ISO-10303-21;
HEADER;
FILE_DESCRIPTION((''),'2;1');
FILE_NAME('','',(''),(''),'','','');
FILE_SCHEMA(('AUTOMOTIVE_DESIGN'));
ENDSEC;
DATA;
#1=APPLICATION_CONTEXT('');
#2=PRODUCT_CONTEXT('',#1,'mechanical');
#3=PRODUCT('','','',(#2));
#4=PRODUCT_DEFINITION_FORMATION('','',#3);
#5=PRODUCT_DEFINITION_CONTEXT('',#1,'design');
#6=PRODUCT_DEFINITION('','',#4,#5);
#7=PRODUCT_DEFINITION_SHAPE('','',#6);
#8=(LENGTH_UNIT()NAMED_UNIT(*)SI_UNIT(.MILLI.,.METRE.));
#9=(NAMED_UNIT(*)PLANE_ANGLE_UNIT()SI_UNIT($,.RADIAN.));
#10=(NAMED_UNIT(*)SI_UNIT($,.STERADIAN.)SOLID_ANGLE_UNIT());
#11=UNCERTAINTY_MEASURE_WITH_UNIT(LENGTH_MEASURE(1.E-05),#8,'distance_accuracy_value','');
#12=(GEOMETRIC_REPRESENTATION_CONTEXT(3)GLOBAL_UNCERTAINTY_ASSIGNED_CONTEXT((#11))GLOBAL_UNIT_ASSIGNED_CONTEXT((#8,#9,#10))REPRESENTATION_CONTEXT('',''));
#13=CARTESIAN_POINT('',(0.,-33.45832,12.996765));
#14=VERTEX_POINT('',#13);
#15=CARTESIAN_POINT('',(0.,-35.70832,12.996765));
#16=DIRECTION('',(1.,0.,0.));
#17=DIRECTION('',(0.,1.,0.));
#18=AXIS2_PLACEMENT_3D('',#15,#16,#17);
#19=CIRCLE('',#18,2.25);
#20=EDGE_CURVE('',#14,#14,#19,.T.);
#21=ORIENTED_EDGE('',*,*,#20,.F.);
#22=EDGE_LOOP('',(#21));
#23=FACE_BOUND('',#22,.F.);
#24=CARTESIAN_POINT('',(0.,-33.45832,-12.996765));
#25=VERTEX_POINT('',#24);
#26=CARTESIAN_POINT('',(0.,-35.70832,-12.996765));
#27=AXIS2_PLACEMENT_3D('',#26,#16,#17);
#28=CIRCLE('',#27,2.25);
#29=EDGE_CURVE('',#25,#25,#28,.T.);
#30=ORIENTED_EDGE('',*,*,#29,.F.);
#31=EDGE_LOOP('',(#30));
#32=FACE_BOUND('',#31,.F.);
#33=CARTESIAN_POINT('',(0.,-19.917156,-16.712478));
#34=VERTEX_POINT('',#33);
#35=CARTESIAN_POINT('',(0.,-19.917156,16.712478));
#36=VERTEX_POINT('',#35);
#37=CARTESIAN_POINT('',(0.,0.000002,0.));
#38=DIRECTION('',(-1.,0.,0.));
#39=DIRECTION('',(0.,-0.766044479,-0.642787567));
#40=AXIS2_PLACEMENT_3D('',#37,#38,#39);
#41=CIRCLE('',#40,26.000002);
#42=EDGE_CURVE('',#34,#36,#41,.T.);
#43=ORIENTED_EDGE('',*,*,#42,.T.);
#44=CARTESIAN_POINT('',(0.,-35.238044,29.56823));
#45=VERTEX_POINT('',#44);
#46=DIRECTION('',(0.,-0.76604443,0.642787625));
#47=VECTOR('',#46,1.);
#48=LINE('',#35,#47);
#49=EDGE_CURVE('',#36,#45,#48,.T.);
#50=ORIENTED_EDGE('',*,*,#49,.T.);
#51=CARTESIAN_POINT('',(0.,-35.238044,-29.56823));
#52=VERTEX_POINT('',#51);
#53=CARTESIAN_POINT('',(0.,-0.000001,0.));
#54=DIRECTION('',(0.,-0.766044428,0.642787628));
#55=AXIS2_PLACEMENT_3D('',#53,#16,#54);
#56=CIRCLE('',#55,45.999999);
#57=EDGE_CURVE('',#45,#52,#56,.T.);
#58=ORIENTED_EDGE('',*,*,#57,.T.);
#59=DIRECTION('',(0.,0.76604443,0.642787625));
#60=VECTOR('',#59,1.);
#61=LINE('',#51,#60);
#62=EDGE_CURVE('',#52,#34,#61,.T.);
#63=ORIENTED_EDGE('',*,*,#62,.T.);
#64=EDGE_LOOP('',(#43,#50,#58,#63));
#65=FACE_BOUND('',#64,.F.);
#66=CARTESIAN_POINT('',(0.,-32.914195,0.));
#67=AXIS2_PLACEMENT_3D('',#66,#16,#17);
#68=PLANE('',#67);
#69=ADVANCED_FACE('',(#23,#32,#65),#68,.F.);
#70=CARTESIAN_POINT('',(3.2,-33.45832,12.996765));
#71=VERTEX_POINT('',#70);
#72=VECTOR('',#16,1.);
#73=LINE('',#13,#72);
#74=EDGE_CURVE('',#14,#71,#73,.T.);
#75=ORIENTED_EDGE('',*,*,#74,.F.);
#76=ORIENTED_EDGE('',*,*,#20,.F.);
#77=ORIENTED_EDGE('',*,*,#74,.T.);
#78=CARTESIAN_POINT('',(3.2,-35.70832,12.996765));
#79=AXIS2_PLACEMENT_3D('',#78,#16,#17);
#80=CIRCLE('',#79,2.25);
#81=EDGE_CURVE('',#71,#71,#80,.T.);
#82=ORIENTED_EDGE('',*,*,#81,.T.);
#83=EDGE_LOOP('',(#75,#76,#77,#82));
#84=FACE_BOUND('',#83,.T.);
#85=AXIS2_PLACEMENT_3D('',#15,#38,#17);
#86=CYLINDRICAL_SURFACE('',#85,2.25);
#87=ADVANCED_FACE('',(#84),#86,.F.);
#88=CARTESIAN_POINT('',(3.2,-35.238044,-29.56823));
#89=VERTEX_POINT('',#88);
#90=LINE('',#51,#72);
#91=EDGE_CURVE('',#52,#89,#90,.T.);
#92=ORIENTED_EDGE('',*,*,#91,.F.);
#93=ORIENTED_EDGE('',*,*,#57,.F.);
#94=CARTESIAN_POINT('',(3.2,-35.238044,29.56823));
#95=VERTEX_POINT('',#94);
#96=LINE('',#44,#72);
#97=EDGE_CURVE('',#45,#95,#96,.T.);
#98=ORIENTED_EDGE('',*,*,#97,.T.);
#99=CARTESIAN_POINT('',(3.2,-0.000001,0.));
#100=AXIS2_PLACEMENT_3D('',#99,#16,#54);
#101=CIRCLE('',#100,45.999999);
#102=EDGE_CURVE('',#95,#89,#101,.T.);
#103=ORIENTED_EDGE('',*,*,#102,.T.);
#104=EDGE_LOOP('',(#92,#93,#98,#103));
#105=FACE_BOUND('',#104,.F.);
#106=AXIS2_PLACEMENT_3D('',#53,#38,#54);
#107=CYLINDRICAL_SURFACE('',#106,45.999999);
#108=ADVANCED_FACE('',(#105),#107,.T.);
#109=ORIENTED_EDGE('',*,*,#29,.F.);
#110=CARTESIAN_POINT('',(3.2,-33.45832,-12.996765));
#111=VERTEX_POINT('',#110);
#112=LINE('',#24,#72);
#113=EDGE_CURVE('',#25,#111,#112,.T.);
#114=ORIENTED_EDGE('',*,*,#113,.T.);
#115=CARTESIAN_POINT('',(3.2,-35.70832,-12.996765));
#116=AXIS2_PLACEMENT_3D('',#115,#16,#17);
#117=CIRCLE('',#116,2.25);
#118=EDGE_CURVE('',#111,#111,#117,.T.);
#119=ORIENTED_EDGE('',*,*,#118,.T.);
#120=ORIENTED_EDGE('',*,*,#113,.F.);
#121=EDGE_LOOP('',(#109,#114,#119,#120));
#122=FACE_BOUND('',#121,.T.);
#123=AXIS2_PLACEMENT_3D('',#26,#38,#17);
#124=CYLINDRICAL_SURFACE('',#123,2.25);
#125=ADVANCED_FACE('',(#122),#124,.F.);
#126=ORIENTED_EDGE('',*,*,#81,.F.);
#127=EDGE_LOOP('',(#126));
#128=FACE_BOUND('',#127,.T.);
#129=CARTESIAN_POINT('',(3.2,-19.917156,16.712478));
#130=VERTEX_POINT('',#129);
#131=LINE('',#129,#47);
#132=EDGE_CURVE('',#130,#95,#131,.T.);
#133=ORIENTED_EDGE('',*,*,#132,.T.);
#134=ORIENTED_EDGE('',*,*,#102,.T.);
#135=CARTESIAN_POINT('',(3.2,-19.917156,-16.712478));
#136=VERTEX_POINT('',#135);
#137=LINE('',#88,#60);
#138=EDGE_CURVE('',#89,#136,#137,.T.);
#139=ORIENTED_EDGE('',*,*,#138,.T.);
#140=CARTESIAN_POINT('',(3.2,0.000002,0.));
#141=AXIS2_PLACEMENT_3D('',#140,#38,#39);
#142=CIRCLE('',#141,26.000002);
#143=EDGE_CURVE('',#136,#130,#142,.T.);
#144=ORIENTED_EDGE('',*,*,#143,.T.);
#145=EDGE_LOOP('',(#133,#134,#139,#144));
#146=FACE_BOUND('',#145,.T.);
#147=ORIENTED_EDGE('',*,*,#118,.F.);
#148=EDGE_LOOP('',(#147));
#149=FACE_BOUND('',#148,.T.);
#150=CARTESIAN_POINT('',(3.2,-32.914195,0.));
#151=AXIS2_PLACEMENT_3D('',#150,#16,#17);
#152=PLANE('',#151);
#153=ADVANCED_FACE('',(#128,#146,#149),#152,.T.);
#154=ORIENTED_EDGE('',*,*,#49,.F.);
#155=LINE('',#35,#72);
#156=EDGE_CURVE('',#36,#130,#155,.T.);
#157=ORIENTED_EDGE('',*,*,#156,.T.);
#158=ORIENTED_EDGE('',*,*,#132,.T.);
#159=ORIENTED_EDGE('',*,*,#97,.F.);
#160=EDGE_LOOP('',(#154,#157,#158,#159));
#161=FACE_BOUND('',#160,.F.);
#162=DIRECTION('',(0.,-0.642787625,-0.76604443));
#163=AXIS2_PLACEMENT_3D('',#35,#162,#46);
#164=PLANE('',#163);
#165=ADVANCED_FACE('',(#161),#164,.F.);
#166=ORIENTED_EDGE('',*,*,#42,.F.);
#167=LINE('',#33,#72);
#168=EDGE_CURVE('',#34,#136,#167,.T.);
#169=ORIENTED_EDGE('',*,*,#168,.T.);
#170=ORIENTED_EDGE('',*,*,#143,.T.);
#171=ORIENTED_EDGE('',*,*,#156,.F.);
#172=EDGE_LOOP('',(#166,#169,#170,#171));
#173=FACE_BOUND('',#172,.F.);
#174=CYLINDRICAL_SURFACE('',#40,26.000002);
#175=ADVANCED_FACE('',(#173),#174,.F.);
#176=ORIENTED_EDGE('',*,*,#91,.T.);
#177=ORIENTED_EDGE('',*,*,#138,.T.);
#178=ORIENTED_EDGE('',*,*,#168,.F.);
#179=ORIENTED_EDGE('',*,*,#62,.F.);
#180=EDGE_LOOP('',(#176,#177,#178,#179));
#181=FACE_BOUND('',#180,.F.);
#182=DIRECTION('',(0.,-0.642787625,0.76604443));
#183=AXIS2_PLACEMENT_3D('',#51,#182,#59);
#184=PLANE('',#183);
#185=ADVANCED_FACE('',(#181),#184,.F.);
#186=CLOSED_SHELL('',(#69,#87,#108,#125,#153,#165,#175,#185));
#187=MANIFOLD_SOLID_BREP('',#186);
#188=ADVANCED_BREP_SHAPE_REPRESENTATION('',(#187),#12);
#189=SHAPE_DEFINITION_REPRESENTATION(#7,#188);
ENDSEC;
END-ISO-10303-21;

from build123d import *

# Parameters (mm, degrees)
F0_R     = 2.25
F1_DEPTH = 3.2


with BuildPart() as f1:
    # F0 (on Right) → F1 (new body)
    with BuildSketch(Plane.YZ):
        with BuildLine():
            ThreePointArc((-19.917156, -16.712478), (-26, 0), (-19.917156, 16.712478))
            Line((-19.917156, 16.712478), (-35.238044, 29.56823))
            ThreePointArc((-35.238044, 29.56823), (-46, 0), (-35.238044, -29.56823))
            Line((-35.238044, -29.56823), (-19.917156, -16.712478))
        make_face()
        with Locations((-35.70832, -12.996765)):
            Circle(F0_R, mode=Mode.SUBTRACT)
        with Locations((-35.70832, 12.996765)):
            Circle(F0_R, mode=Mode.SUBTRACT)
    extrude(amount=F1_DEPTH)


solid = f1.part
